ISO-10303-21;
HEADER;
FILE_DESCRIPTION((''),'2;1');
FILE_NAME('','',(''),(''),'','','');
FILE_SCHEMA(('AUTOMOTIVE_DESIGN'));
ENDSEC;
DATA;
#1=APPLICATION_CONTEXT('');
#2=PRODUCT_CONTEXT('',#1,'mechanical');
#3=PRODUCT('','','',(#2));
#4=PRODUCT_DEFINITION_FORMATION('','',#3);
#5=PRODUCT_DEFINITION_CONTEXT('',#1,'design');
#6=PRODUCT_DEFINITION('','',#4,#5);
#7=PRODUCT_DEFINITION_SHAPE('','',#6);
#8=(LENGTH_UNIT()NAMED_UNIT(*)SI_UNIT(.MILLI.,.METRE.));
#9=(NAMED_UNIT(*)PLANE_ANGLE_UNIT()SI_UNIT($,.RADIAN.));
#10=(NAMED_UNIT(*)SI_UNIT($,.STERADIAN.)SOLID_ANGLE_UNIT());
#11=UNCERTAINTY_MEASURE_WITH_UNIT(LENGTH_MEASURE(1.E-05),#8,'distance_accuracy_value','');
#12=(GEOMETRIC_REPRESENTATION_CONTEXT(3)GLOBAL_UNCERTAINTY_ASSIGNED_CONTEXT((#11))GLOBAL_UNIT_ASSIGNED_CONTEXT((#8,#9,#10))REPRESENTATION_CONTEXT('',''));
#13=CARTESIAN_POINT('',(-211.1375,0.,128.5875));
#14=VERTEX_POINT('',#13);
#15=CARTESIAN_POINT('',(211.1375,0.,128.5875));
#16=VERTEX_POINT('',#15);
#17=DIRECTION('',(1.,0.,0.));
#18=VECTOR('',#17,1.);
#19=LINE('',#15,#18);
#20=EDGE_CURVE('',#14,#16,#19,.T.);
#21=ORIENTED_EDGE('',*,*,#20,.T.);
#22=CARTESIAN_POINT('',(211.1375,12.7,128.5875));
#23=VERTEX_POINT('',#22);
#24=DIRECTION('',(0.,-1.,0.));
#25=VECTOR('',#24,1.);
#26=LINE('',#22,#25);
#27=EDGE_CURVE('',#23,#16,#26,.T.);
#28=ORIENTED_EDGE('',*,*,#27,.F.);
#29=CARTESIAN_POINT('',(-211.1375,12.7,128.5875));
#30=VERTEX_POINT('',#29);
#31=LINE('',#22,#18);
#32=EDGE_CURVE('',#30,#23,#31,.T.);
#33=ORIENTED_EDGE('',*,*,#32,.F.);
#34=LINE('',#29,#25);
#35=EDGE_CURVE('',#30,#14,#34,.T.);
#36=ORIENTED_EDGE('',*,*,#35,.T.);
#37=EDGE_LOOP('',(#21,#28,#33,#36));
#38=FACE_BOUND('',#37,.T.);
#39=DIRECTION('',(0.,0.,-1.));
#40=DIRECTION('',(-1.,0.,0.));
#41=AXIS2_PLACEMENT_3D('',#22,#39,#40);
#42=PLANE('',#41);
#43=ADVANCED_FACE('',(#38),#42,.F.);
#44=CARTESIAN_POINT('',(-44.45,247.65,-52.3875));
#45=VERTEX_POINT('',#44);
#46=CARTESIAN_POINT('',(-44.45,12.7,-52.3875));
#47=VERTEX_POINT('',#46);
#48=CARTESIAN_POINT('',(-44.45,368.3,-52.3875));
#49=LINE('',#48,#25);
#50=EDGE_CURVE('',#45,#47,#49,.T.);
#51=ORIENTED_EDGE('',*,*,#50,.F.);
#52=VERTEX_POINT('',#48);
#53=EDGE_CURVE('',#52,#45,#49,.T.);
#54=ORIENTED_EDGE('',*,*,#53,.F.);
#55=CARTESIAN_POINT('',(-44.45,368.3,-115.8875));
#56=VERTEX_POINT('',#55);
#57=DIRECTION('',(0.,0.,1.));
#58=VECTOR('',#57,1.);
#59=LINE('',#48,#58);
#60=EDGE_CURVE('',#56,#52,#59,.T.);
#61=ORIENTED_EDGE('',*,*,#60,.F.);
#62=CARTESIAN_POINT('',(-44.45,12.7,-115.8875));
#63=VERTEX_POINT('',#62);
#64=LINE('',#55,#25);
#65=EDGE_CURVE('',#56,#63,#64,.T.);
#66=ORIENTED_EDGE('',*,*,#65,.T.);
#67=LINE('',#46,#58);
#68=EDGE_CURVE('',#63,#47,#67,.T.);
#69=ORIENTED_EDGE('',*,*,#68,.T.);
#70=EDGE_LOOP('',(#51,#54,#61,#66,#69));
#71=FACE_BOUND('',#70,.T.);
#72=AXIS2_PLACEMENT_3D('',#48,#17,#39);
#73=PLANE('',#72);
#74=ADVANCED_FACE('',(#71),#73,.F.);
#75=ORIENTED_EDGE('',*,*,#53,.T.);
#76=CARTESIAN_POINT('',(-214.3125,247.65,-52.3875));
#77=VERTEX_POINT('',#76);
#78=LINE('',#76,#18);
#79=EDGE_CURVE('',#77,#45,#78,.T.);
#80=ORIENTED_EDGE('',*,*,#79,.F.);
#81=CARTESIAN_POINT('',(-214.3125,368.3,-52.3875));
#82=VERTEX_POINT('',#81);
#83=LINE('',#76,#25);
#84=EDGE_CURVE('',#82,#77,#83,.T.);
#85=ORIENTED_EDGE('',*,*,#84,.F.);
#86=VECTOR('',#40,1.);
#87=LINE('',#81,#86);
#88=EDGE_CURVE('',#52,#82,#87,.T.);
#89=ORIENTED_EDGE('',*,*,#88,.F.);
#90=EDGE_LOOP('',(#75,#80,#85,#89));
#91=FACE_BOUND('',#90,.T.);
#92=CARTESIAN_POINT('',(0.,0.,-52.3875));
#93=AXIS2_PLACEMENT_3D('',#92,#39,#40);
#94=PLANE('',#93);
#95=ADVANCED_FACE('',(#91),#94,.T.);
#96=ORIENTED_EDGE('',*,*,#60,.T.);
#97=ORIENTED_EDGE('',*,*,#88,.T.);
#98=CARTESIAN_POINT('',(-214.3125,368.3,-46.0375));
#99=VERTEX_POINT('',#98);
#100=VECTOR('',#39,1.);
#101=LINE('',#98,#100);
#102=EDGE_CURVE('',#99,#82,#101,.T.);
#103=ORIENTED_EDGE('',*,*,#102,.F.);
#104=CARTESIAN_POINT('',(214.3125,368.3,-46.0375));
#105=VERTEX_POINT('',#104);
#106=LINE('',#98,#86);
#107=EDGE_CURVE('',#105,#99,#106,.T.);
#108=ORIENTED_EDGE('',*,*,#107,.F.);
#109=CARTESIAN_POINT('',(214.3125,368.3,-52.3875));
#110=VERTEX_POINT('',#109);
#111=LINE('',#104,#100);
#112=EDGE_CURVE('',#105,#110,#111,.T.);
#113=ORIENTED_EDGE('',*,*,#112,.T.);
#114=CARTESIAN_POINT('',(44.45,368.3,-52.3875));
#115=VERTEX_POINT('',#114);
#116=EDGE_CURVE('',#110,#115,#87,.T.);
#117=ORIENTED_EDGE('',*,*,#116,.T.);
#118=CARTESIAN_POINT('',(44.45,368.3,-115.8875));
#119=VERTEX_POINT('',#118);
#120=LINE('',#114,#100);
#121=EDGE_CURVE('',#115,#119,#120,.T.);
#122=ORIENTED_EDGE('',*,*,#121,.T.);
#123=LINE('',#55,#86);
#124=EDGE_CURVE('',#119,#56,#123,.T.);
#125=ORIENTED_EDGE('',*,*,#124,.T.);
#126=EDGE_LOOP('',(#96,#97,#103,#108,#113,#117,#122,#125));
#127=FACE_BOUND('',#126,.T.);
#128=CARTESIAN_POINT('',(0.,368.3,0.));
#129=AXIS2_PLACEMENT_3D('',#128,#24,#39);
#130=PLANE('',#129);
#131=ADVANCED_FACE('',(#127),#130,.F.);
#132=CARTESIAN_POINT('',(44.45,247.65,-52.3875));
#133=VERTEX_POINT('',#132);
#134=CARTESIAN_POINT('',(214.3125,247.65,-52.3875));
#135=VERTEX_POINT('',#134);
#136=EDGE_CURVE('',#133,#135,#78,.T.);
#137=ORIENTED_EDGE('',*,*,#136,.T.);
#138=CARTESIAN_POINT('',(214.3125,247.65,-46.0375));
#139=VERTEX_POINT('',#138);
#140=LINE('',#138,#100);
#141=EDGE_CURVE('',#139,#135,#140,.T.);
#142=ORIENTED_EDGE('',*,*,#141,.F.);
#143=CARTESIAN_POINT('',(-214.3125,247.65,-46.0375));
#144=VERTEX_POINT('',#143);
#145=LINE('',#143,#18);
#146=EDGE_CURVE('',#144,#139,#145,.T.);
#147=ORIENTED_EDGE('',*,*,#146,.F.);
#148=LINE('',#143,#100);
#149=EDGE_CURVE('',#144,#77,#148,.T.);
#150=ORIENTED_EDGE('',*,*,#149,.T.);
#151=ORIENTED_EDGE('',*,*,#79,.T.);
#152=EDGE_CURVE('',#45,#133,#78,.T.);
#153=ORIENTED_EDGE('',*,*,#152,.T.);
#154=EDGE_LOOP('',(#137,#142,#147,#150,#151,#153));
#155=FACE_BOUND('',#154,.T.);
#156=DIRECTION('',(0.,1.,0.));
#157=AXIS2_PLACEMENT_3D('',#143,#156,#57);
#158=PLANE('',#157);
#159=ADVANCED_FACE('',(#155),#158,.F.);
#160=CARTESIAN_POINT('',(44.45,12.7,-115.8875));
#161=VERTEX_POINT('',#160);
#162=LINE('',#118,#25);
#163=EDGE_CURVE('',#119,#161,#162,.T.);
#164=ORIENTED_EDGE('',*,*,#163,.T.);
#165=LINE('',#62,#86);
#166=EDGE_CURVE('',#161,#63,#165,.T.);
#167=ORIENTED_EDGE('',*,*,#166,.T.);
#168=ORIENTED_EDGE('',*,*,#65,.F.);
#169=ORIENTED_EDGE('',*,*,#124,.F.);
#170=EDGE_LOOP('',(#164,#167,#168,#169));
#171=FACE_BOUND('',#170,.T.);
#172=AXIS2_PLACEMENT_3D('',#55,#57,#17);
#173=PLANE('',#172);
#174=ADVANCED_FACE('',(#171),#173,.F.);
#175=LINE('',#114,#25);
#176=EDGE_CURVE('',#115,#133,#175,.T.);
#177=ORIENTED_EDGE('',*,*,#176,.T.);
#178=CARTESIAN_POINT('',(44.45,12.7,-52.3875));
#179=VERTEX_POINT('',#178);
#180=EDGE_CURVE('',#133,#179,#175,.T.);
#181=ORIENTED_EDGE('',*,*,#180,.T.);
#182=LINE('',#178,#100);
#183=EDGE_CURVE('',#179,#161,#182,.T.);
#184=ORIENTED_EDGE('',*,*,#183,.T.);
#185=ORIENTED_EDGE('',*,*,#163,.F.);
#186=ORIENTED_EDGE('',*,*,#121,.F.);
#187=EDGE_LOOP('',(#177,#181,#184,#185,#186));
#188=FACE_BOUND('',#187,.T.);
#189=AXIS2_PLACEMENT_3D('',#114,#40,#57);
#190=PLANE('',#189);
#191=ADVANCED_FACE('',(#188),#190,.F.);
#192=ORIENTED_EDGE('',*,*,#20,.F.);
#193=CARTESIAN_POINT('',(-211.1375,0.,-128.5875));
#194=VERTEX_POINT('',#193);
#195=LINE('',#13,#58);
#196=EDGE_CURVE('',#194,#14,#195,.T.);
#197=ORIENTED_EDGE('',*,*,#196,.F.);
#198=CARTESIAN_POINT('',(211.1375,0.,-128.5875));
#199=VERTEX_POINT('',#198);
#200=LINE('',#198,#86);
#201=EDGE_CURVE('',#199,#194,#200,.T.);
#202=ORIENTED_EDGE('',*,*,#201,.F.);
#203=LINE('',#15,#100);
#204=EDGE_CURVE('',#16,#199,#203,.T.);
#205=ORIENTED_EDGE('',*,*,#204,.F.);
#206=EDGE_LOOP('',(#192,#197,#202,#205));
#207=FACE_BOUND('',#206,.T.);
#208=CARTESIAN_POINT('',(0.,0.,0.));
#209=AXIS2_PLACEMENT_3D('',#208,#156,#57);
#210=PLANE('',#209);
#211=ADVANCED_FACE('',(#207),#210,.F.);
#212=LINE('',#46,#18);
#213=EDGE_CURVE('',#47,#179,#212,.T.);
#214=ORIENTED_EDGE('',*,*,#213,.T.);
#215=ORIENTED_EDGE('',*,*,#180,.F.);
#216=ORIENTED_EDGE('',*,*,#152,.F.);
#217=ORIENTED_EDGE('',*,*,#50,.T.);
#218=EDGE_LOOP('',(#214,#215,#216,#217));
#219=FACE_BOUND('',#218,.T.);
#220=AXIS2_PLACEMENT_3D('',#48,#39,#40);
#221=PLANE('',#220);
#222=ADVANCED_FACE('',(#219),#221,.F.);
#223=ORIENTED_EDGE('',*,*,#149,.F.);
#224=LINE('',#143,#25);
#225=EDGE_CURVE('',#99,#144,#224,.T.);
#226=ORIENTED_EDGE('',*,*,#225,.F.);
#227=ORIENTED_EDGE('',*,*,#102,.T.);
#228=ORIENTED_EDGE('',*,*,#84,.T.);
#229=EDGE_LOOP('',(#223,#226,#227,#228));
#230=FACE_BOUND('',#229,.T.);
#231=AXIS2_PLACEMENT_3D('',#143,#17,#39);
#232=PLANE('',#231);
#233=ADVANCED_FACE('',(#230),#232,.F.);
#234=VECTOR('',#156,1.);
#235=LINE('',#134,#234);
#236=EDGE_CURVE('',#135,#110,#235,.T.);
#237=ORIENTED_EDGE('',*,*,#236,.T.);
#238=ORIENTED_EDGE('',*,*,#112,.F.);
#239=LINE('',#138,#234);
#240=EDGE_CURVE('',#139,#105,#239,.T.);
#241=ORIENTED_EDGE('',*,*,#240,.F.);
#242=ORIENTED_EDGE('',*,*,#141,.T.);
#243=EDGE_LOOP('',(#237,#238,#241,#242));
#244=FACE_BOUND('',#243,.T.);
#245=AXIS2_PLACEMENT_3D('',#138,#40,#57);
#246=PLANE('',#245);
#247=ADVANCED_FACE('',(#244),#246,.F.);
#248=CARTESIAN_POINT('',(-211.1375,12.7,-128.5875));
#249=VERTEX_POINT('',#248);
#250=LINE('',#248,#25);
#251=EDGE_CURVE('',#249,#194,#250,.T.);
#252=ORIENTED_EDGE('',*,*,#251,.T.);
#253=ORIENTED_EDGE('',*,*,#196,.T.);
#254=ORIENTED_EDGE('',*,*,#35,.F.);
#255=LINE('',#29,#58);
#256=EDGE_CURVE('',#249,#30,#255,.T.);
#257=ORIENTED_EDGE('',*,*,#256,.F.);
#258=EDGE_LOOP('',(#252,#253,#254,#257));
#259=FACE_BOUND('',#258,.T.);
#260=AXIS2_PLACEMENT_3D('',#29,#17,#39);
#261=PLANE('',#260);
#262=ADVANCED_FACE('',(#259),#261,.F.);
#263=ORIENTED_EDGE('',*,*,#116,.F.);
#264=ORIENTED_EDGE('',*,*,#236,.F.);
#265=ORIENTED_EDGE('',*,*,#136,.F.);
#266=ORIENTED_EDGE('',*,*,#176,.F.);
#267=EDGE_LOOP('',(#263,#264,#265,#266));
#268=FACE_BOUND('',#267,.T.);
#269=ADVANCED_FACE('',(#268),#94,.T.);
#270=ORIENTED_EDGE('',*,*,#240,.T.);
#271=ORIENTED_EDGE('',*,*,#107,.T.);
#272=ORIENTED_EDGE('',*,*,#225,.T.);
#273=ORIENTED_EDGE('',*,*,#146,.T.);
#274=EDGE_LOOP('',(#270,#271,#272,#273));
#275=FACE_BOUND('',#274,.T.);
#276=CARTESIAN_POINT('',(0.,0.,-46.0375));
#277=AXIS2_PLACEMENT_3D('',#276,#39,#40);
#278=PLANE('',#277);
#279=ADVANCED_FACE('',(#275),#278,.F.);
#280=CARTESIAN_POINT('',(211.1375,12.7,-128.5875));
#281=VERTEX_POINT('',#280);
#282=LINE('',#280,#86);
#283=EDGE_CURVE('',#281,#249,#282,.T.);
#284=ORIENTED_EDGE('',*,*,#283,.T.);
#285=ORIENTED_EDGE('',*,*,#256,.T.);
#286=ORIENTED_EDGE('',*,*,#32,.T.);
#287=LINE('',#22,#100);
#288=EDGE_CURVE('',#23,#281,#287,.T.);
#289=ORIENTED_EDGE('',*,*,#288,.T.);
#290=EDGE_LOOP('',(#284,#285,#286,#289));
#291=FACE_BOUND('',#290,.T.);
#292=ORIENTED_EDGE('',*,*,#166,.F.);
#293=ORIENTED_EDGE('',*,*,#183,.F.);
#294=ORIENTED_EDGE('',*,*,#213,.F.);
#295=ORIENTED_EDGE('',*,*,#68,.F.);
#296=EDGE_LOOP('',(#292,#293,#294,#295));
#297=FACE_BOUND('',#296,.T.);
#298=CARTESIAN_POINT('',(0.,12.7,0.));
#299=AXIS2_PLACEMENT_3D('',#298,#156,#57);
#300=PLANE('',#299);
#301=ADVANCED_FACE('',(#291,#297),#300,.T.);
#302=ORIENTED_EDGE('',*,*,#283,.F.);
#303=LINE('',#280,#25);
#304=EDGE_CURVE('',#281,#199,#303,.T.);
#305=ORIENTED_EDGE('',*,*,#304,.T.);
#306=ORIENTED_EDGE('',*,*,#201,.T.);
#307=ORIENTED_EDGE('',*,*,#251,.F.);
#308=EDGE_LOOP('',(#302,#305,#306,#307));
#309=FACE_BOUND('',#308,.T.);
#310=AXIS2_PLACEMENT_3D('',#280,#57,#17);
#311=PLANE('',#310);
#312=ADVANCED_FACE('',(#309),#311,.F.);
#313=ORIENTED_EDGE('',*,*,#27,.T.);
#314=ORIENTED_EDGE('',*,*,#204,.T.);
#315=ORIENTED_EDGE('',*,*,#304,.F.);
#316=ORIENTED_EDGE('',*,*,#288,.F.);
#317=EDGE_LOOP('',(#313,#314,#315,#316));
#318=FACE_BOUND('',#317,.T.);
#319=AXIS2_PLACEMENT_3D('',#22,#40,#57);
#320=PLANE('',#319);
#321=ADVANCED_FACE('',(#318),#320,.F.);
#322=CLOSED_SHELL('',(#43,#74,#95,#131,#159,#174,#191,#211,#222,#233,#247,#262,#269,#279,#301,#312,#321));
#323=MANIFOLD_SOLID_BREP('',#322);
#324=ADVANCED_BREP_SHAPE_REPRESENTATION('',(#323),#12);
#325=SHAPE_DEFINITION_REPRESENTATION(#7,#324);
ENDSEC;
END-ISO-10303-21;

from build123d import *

# Parameters (mm, degrees)
SKETCH2_W           = 422.275
SKETCH2_H           = 257.175
BOSS_EXTRUDE1_DEPTH = 12.7
SKETCH3_W           = 88.9
SKETCH3_H           = 63.5
BOSS_EXTRUDE2_DEPTH = 355.6
SKETCH4_W           = 428.625
SKETCH4_H           = 120.65
BOSS_EXTRUDE3_DEPTH = 6.35


with BuildPart() as part:
    # Sketch2 → Boss-Extrude1 (new body)
    with BuildSketch(Plane(origin=(0, 0, 0), x_dir=(1, 0, 0), z_dir=(0, 1, 0))):
        Rectangle(SKETCH2_W, SKETCH2_H)
    extrude(amount=BOSS_EXTRUDE1_DEPTH)

    # Sketch3 → Boss-Extrude2 (add)
    with BuildSketch(Plane(origin=(0, 12.7, 0), x_dir=(1, 0, 0), z_dir=(0, 1, 0))):
        with Locations((0, 84.1375)):
            Rectangle(SKETCH3_W, SKETCH3_H)
    extrude(amount=BOSS_EXTRUDE2_DEPTH)

    # Sketch4 → Boss-Extrude3 (add)
    with BuildSketch(Plane.XY.offset(-52.3875)):
        with Locations((0, 307.975)):
            Rectangle(SKETCH4_W, SKETCH4_H)
    extrude(amount=BOSS_EXTRUDE3_DEPTH)


solid = part.part
